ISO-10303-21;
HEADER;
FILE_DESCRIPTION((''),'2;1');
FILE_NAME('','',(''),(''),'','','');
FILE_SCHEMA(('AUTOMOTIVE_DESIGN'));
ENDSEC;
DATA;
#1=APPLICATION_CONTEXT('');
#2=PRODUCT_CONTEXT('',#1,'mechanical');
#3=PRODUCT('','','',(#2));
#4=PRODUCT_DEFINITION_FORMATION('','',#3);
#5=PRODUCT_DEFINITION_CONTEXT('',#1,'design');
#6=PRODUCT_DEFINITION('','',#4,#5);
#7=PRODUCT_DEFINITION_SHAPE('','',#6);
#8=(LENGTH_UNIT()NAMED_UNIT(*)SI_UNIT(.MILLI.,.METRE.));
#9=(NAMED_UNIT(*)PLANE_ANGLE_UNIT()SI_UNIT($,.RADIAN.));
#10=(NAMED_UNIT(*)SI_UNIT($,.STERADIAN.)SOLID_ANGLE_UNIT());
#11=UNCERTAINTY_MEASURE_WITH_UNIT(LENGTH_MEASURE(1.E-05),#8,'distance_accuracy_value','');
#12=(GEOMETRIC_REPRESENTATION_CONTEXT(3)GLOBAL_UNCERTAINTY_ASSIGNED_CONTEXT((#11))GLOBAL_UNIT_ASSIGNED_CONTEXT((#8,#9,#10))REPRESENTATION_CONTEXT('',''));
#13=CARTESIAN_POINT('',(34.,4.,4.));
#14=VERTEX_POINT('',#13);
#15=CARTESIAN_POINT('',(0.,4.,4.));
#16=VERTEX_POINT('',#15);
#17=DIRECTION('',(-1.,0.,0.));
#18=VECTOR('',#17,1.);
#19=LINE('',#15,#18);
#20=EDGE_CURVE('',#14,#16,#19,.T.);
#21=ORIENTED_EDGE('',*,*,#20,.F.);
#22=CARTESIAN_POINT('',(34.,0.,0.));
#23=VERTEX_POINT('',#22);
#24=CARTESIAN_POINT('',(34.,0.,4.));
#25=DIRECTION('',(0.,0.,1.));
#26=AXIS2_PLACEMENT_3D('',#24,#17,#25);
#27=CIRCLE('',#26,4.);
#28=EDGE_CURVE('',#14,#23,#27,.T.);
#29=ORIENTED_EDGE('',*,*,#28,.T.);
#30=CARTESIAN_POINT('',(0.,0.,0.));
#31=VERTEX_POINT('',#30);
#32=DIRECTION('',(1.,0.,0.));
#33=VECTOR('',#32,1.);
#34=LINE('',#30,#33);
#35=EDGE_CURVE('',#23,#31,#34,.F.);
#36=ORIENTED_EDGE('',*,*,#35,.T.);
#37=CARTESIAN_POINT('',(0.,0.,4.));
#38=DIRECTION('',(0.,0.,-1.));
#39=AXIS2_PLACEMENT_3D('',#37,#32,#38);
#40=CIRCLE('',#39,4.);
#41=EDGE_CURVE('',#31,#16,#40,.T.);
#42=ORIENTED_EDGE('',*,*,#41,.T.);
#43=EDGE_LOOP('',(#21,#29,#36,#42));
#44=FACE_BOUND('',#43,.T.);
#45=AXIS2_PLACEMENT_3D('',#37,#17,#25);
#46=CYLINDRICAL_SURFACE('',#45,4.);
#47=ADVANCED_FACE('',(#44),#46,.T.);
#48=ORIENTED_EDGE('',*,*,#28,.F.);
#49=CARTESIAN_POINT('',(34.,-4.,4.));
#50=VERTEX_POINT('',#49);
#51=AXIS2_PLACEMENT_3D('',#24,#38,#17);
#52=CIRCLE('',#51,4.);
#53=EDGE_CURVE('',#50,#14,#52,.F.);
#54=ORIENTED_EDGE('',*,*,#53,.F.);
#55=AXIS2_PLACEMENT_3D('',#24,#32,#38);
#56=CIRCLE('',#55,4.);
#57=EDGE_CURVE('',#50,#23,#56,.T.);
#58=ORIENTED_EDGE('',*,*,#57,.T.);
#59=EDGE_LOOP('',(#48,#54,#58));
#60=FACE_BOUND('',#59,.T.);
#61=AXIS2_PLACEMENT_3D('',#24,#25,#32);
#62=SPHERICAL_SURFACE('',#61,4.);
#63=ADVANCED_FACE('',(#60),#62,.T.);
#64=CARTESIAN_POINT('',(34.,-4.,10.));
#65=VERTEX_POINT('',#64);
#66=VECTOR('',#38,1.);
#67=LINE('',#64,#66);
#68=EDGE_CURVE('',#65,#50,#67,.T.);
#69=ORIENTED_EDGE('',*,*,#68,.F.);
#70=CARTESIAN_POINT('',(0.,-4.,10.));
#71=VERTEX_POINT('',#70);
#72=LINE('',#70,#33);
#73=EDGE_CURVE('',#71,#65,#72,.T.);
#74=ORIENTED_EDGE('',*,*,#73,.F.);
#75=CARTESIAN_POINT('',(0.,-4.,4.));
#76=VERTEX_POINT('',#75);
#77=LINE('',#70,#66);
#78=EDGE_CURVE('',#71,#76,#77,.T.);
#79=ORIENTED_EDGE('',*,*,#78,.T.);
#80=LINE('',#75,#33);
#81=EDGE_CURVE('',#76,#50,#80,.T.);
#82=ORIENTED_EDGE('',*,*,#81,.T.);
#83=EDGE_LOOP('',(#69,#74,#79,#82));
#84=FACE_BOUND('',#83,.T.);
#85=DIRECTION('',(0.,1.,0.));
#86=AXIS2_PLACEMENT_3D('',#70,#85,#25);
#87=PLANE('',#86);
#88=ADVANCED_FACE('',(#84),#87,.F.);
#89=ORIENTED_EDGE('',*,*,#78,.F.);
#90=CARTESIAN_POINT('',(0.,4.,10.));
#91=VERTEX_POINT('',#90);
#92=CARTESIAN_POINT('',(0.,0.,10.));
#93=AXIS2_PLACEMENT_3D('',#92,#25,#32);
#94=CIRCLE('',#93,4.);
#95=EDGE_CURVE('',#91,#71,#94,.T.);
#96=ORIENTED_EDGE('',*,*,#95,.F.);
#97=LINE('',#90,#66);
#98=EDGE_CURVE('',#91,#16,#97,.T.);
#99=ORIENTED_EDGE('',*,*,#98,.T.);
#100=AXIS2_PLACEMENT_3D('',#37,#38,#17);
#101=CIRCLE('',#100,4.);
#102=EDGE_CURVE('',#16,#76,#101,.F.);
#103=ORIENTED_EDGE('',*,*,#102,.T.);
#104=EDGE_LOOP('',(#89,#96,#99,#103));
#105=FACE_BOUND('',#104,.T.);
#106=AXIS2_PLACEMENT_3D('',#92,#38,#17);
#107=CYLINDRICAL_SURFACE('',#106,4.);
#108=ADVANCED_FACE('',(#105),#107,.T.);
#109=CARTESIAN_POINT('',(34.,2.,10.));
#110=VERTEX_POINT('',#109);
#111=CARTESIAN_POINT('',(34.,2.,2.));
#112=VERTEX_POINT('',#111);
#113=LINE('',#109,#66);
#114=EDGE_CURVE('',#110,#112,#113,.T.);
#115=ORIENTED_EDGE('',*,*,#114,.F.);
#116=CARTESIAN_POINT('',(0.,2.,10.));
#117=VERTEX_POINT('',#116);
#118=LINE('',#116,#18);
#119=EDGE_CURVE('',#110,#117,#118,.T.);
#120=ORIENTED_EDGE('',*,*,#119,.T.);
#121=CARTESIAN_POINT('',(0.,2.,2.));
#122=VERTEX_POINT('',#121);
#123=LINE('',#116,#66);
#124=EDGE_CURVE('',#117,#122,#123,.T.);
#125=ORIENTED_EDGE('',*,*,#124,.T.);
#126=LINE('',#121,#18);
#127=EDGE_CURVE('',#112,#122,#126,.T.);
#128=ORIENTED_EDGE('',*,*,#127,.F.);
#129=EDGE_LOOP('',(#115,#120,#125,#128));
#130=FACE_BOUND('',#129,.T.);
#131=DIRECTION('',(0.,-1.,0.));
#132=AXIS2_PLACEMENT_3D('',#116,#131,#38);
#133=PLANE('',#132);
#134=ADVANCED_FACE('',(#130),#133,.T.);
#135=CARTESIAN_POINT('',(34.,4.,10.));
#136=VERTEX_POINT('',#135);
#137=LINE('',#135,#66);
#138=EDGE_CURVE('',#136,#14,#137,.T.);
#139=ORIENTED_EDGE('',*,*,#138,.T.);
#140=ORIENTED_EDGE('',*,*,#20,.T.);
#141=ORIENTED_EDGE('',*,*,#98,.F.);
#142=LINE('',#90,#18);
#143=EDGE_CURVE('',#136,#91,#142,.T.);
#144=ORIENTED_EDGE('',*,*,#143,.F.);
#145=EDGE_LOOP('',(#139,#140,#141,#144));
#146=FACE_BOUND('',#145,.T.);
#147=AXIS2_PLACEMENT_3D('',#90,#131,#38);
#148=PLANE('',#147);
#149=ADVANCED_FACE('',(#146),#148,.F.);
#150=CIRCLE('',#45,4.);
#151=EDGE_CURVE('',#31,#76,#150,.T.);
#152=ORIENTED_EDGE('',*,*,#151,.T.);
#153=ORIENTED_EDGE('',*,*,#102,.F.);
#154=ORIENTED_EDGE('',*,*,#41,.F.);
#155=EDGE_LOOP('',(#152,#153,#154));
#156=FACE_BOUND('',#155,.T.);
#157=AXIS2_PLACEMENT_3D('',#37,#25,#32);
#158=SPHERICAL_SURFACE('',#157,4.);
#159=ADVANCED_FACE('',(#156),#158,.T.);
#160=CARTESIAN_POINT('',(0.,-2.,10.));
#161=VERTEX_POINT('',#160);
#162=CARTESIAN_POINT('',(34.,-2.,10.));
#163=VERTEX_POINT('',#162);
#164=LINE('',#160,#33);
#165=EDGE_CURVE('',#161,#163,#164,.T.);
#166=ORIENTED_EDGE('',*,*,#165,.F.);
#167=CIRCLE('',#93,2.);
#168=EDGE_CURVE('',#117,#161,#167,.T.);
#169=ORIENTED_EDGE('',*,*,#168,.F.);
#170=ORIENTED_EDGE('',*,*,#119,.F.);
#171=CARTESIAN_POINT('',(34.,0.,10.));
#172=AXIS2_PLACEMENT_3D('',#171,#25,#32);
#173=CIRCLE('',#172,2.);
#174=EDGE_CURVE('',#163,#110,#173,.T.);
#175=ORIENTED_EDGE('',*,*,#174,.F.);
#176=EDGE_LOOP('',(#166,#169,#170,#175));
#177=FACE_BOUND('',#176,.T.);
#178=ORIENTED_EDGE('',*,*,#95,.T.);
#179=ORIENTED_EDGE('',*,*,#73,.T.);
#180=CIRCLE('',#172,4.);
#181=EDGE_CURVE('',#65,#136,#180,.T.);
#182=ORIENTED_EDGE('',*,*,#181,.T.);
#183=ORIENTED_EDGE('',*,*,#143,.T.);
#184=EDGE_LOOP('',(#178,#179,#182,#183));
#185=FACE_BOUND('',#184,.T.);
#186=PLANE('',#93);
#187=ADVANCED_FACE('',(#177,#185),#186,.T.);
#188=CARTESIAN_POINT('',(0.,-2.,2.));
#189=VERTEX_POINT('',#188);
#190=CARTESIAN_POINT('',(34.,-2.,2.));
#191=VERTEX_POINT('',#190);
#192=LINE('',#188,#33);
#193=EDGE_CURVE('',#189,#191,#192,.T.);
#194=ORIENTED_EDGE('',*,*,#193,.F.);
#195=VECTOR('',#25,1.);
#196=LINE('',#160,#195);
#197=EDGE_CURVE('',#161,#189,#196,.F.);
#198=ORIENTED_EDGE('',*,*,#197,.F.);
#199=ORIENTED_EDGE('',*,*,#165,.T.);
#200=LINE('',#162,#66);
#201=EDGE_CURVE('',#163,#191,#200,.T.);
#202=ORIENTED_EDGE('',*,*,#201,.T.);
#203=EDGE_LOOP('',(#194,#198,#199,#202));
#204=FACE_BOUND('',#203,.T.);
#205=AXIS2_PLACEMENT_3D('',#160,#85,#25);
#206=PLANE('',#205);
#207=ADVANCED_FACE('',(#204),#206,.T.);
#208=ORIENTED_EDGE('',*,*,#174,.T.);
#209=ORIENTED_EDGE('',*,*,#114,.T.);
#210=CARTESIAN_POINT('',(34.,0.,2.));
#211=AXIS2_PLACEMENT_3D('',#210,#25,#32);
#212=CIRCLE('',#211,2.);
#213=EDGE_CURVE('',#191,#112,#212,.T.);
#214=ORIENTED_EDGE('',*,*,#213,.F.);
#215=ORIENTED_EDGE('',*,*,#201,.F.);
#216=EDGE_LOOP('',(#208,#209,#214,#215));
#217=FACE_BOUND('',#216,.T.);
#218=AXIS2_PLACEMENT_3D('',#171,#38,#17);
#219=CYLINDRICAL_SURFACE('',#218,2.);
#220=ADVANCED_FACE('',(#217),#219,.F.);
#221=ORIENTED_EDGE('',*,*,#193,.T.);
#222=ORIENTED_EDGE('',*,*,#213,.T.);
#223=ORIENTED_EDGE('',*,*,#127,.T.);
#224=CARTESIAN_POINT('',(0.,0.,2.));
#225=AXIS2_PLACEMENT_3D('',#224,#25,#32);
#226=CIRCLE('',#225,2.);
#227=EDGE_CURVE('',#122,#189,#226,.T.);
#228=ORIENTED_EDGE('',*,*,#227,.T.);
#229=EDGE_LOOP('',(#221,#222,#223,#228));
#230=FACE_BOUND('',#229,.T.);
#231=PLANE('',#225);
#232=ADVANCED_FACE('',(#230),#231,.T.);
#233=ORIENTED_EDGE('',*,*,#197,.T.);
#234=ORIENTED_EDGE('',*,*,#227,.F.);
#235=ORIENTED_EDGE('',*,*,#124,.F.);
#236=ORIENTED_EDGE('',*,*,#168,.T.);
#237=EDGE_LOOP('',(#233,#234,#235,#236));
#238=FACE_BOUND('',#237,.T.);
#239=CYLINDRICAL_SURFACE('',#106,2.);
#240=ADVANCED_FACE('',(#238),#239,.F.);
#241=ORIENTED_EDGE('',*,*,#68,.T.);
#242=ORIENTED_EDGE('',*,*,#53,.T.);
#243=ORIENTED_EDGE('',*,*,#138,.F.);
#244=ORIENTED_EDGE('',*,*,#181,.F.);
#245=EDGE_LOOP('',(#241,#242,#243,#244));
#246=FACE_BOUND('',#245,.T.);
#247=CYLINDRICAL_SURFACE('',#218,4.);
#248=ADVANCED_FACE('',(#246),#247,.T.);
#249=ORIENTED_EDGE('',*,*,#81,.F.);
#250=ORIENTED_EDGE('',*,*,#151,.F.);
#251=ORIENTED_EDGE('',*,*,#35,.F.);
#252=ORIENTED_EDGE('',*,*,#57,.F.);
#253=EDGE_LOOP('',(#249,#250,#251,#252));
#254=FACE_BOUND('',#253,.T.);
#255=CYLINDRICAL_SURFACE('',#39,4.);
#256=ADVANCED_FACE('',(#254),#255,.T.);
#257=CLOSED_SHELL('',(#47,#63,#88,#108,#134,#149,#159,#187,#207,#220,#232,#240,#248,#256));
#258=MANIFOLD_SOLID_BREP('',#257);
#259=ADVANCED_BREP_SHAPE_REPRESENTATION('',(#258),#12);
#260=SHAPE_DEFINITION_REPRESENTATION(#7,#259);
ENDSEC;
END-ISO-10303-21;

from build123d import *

# Parameters (mm, degrees)
BOSS_EXTRU_1_DEPTH = 10
COQUE1_T           = -2
CONG_1_R           = 4


with BuildPart() as part:
    # Esquisse1 → Boss.-Extru.1 (new body)
    with BuildSketch(Plane.XY):
        with BuildLine():
            Line((0, 4), (34, 4))
            ThreePointArc((34, 4), (38, 0), (34, -4))
            Line((34, -4), (0, -4))
            ThreePointArc((0, -4), (-4, 0), (0, 4))
        make_face()
    extrude(amount=BOSS_EXTRU_1_DEPTH)

    # Coque1
    coque1_openings = [part.faces().sort_by_distance(p)[0] for p in [
        (17, 0, 10),
    ]]
    offset(amount=COQUE1_T, openings=coque1_openings, kind=Kind.INTERSECTION)

    # Congé1
    cong_1_edges = [part.edges().sort_by_distance(p)[0] for p in [
        (38, 0, 0),
        (17, -4, 0),
        (-4, 0, 0),
        (17, 4, 0),
    ]]
    fillet(cong_1_edges, radius=CONG_1_R)


solid = part.part
